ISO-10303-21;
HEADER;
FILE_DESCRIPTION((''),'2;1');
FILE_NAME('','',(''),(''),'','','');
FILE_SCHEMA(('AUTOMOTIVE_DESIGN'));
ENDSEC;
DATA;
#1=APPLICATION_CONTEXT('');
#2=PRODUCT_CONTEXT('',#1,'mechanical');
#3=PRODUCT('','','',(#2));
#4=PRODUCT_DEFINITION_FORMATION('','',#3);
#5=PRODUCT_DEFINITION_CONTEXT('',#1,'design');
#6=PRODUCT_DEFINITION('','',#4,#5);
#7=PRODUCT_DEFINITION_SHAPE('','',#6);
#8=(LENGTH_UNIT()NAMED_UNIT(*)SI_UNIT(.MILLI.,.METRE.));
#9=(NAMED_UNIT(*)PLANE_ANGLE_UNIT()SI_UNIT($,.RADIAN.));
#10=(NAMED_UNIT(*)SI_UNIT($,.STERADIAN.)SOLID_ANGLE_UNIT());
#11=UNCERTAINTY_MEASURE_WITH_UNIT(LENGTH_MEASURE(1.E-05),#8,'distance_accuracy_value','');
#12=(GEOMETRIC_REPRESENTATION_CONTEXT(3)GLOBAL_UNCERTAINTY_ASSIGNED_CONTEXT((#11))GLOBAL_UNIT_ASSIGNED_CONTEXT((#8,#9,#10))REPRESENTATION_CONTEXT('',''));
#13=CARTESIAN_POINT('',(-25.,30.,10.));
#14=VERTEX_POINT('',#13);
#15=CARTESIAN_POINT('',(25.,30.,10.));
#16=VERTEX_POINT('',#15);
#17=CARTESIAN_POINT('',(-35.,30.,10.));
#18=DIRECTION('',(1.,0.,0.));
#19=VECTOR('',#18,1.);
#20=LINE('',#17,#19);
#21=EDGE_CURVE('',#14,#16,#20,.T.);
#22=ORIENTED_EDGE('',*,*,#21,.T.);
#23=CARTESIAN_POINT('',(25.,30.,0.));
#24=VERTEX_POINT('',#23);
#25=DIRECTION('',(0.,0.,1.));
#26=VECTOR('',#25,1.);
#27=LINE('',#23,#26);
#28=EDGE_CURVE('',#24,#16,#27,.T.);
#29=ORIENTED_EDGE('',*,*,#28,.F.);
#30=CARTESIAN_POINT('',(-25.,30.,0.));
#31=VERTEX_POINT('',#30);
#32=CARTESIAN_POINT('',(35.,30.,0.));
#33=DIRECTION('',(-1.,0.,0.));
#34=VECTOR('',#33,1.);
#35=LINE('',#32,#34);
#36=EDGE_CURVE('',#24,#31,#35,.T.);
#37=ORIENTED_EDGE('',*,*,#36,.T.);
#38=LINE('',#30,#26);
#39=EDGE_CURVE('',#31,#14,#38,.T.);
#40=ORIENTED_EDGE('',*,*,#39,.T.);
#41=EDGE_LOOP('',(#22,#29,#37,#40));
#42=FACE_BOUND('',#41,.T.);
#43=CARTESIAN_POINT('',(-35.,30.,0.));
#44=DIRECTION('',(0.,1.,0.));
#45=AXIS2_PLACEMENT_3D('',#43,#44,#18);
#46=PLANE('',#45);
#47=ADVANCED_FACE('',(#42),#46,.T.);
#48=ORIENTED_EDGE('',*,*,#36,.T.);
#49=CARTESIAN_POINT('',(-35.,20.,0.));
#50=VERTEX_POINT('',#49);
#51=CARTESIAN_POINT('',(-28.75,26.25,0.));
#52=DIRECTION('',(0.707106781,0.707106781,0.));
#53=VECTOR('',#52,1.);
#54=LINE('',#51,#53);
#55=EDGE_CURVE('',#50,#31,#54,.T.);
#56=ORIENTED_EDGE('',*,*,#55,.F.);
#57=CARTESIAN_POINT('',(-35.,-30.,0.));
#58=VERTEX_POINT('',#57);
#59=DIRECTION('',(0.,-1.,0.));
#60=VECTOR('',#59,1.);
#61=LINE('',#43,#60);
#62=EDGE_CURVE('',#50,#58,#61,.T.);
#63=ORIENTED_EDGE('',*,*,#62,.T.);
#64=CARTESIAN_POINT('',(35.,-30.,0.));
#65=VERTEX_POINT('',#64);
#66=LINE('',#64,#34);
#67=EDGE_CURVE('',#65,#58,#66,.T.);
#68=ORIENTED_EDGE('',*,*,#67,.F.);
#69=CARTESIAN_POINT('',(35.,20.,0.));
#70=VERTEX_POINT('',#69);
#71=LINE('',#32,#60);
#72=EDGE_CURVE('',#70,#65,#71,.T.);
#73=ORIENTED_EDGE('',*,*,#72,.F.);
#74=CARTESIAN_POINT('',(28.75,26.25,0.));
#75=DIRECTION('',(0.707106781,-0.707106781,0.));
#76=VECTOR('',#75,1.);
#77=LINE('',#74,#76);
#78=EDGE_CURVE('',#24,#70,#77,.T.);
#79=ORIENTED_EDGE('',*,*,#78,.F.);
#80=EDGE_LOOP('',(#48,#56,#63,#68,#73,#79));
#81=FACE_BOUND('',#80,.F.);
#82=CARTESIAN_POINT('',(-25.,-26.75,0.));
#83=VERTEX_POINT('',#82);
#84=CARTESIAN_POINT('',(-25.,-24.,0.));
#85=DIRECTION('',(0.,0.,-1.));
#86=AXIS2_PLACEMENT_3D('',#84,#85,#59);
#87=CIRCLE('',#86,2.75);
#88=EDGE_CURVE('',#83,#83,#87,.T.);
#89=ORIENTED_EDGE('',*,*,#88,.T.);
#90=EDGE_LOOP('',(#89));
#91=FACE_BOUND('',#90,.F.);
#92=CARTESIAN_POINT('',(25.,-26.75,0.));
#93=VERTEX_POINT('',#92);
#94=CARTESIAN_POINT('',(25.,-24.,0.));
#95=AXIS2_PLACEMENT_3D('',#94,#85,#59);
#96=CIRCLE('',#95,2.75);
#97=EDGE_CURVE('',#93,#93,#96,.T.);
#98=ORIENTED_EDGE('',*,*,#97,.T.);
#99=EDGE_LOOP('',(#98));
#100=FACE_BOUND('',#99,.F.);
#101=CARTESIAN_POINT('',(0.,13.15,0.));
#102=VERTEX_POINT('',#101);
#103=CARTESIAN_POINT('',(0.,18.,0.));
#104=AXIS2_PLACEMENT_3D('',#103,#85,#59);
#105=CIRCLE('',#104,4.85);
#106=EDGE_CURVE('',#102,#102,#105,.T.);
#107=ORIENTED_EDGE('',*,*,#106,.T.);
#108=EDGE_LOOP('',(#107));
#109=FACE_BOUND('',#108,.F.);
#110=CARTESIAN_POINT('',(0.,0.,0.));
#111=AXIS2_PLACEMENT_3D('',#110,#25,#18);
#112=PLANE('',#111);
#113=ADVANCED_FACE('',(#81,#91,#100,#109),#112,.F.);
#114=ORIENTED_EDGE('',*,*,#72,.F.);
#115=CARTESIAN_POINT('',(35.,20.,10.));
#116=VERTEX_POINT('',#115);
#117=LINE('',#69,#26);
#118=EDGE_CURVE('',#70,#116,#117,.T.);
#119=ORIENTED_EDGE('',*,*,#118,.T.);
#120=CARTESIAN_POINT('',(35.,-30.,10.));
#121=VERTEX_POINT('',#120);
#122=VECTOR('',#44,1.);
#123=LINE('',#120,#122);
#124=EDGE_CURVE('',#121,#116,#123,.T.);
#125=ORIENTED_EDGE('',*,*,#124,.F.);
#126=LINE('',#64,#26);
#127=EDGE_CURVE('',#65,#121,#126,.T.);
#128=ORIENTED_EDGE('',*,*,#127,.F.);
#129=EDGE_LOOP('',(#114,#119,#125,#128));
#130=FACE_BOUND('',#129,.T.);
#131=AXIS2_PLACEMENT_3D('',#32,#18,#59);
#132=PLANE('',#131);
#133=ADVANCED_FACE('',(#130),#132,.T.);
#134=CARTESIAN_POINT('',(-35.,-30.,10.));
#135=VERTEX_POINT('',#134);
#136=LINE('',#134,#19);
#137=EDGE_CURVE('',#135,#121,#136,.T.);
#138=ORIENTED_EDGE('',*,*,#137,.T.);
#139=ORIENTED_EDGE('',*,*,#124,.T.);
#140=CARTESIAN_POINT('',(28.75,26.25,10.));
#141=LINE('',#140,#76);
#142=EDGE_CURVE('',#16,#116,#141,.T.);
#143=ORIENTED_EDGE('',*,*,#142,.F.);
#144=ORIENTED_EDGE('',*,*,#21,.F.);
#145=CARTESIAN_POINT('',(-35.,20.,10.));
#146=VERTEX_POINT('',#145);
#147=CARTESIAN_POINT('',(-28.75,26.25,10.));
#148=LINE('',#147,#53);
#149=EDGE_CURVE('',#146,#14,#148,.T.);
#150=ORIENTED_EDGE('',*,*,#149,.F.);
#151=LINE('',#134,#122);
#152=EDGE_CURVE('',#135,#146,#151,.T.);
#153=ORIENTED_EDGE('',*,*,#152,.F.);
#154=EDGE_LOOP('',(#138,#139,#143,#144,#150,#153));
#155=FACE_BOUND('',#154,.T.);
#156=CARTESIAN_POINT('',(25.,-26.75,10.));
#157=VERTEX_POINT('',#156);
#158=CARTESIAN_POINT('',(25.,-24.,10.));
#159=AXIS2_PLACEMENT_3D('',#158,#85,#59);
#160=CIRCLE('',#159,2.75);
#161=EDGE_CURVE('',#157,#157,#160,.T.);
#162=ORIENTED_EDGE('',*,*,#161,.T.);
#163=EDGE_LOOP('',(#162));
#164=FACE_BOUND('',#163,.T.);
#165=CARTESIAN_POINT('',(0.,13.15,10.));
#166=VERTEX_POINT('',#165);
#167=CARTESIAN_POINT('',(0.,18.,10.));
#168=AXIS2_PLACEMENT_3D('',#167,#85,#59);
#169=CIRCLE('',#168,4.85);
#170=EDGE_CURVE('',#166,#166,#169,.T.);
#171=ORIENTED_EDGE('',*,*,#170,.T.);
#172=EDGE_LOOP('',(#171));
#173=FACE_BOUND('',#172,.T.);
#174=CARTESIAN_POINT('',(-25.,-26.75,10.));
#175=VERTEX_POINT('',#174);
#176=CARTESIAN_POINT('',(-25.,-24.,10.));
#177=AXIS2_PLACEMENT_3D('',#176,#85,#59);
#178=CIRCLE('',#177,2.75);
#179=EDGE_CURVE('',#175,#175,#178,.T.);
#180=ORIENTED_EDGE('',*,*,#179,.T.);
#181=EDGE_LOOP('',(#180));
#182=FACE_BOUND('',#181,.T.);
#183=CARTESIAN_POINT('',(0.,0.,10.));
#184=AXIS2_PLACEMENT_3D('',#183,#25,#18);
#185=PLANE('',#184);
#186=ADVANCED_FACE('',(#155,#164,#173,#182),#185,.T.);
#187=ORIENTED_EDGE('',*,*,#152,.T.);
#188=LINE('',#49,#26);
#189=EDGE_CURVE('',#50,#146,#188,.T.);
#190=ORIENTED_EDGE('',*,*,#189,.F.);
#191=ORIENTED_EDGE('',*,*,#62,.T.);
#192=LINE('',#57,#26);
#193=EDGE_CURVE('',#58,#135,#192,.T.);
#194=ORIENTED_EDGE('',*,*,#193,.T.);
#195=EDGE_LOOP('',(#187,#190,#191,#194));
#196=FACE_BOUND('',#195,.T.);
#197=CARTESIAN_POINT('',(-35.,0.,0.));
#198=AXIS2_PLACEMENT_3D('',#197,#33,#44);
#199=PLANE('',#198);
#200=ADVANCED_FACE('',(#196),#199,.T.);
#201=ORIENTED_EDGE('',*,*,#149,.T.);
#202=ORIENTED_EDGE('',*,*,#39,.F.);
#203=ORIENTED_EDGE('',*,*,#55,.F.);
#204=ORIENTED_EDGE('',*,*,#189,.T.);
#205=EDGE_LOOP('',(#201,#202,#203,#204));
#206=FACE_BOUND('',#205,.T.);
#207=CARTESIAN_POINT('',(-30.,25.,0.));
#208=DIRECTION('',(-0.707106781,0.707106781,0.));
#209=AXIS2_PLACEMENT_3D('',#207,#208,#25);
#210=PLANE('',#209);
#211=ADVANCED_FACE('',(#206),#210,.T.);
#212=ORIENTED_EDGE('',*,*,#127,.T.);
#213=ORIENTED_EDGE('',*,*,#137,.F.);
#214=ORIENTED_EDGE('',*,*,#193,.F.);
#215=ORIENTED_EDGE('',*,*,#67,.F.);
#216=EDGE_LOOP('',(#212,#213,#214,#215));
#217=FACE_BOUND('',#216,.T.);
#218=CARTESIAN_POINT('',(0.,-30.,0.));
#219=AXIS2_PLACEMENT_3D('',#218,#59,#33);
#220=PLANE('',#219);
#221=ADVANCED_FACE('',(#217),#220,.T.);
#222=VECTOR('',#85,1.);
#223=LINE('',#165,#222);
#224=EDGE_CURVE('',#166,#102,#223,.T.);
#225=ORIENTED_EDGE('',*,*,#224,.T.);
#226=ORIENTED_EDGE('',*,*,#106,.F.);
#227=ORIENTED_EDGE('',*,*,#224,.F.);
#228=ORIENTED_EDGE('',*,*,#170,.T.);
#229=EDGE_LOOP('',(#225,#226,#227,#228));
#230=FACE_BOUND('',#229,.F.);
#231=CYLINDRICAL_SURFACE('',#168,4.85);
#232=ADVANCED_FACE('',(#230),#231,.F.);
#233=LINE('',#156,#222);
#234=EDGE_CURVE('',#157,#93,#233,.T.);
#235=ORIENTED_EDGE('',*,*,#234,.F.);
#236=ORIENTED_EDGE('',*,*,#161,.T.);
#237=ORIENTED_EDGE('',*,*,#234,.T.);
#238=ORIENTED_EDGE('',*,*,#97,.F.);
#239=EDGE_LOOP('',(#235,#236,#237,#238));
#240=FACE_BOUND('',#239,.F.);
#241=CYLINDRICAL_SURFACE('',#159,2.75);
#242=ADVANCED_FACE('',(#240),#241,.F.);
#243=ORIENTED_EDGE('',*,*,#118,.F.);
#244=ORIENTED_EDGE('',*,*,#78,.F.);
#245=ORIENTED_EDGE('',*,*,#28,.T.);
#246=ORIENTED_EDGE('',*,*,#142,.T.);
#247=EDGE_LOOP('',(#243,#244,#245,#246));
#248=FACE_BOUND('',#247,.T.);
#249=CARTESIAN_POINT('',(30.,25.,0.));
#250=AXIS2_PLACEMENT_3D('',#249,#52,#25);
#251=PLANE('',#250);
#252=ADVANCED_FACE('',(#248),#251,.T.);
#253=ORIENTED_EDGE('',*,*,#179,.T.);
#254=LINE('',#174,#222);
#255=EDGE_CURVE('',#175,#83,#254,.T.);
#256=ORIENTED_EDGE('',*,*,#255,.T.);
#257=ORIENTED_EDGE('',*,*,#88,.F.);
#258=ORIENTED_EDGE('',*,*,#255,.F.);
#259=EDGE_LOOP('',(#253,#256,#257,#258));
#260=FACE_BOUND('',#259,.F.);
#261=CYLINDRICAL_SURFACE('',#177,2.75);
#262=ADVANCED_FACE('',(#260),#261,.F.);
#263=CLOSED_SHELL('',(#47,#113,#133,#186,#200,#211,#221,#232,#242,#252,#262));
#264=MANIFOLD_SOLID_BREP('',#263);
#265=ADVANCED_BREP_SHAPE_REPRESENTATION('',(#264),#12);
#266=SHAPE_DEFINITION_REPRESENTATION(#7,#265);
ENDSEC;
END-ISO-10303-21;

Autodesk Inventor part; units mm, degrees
ref_plane "YZ Plane" through (0, 0, 0) normal (1, 0, 0) x (0, 1, 0)
ref_plane "XZ Plane" through (0, 0, 0) normal (0, 1, 0) x (-1, 0, 0)
ref_plane "XY Plane" through (0, 0, 0) normal (0, 0, 1) x (1, 0, 0)
sketch "Skizze_Grundkörper" plane through (0, 0, 0) normal (0, 0, 1) x (1, 0, 0)
  line L0 (-56, 0) -> (56, 0) projected
  line L1 (0, -45.5) -> (0, 45.5) projected
  line L2 (35, -30) -> (-35, -30)
  line L3 (-35, -30) -> (-35, 30)
  line L4 (-35, 30) -> (35, 30)
  line L5 (35, 30) -> (35, -30)
  line L6 (35, -30) -> (-35, 30) construction
  line L7 (-35, -30) -> (35, 30) construction
  point P0 (0, 0)
  dimension "Länge" = 70
  dimension "Höhe" = 60
extrude "Grundkörper" add sketch "Skizze_Grundkörper" along normal blind 10
sketch "Skizze2" plane through (0, 0, 10) normal (0, 0, 1) x (1, 0, 0)
  line L0 (-35, -30) -> (35, -30) projected
  line L1 (35, -30) -> (35, 30) projected
  line L2 (35, 30) -> (-35, 30) projected
  line L3 (-35, 30) -> (-35, -30) projected
  line L4 (-56, 0) -> (56, 0) projected
  line L5 (0, -45.5) -> (0, 45.5) projected
  point P0 (0, 0)
  point P1 (0, 18)
  dimension "d4" = 48
hole "Bohrung_9,7_mm" at (0, 18, 10) direction (0, 0, -1) diameter 9.7 end through all
sketch "Skizze3" plane through (0, 0, 10) normal (0, 0, 1) x (1, 0, 0)
  circle A0 centre (0, 18) radius 4.85 projected
  line L0 (-35, -30) -> (35, -30) projected
  line L1 (35, -30) -> (35, 30) projected
  line L2 (35, 30) -> (-35, 30) projected
  line L3 (-35, 30) -> (-35, -30) projected
  line L4 (-56, 0) -> (56, 0) projected
  line L5 (0, -45.5) -> (0, 45.5) projected
  point P0 (0, 0)
  point P1 (-25, -24)
  point P2 (25, -24)
  dimension "d12" = 50
  dimension "d13" = 6
hole "Bohrung_5,5_mm" at (-25, -24, 10) at (25, -24, 10) direction (0, 0, -1) diameter 5.5 end through all
chamfer "Fase_10_mm" distance 10 angle 45 2 edges at (-35, 30, 5) (35, 30, 5)
properties material "Stahl, unlegiert"
